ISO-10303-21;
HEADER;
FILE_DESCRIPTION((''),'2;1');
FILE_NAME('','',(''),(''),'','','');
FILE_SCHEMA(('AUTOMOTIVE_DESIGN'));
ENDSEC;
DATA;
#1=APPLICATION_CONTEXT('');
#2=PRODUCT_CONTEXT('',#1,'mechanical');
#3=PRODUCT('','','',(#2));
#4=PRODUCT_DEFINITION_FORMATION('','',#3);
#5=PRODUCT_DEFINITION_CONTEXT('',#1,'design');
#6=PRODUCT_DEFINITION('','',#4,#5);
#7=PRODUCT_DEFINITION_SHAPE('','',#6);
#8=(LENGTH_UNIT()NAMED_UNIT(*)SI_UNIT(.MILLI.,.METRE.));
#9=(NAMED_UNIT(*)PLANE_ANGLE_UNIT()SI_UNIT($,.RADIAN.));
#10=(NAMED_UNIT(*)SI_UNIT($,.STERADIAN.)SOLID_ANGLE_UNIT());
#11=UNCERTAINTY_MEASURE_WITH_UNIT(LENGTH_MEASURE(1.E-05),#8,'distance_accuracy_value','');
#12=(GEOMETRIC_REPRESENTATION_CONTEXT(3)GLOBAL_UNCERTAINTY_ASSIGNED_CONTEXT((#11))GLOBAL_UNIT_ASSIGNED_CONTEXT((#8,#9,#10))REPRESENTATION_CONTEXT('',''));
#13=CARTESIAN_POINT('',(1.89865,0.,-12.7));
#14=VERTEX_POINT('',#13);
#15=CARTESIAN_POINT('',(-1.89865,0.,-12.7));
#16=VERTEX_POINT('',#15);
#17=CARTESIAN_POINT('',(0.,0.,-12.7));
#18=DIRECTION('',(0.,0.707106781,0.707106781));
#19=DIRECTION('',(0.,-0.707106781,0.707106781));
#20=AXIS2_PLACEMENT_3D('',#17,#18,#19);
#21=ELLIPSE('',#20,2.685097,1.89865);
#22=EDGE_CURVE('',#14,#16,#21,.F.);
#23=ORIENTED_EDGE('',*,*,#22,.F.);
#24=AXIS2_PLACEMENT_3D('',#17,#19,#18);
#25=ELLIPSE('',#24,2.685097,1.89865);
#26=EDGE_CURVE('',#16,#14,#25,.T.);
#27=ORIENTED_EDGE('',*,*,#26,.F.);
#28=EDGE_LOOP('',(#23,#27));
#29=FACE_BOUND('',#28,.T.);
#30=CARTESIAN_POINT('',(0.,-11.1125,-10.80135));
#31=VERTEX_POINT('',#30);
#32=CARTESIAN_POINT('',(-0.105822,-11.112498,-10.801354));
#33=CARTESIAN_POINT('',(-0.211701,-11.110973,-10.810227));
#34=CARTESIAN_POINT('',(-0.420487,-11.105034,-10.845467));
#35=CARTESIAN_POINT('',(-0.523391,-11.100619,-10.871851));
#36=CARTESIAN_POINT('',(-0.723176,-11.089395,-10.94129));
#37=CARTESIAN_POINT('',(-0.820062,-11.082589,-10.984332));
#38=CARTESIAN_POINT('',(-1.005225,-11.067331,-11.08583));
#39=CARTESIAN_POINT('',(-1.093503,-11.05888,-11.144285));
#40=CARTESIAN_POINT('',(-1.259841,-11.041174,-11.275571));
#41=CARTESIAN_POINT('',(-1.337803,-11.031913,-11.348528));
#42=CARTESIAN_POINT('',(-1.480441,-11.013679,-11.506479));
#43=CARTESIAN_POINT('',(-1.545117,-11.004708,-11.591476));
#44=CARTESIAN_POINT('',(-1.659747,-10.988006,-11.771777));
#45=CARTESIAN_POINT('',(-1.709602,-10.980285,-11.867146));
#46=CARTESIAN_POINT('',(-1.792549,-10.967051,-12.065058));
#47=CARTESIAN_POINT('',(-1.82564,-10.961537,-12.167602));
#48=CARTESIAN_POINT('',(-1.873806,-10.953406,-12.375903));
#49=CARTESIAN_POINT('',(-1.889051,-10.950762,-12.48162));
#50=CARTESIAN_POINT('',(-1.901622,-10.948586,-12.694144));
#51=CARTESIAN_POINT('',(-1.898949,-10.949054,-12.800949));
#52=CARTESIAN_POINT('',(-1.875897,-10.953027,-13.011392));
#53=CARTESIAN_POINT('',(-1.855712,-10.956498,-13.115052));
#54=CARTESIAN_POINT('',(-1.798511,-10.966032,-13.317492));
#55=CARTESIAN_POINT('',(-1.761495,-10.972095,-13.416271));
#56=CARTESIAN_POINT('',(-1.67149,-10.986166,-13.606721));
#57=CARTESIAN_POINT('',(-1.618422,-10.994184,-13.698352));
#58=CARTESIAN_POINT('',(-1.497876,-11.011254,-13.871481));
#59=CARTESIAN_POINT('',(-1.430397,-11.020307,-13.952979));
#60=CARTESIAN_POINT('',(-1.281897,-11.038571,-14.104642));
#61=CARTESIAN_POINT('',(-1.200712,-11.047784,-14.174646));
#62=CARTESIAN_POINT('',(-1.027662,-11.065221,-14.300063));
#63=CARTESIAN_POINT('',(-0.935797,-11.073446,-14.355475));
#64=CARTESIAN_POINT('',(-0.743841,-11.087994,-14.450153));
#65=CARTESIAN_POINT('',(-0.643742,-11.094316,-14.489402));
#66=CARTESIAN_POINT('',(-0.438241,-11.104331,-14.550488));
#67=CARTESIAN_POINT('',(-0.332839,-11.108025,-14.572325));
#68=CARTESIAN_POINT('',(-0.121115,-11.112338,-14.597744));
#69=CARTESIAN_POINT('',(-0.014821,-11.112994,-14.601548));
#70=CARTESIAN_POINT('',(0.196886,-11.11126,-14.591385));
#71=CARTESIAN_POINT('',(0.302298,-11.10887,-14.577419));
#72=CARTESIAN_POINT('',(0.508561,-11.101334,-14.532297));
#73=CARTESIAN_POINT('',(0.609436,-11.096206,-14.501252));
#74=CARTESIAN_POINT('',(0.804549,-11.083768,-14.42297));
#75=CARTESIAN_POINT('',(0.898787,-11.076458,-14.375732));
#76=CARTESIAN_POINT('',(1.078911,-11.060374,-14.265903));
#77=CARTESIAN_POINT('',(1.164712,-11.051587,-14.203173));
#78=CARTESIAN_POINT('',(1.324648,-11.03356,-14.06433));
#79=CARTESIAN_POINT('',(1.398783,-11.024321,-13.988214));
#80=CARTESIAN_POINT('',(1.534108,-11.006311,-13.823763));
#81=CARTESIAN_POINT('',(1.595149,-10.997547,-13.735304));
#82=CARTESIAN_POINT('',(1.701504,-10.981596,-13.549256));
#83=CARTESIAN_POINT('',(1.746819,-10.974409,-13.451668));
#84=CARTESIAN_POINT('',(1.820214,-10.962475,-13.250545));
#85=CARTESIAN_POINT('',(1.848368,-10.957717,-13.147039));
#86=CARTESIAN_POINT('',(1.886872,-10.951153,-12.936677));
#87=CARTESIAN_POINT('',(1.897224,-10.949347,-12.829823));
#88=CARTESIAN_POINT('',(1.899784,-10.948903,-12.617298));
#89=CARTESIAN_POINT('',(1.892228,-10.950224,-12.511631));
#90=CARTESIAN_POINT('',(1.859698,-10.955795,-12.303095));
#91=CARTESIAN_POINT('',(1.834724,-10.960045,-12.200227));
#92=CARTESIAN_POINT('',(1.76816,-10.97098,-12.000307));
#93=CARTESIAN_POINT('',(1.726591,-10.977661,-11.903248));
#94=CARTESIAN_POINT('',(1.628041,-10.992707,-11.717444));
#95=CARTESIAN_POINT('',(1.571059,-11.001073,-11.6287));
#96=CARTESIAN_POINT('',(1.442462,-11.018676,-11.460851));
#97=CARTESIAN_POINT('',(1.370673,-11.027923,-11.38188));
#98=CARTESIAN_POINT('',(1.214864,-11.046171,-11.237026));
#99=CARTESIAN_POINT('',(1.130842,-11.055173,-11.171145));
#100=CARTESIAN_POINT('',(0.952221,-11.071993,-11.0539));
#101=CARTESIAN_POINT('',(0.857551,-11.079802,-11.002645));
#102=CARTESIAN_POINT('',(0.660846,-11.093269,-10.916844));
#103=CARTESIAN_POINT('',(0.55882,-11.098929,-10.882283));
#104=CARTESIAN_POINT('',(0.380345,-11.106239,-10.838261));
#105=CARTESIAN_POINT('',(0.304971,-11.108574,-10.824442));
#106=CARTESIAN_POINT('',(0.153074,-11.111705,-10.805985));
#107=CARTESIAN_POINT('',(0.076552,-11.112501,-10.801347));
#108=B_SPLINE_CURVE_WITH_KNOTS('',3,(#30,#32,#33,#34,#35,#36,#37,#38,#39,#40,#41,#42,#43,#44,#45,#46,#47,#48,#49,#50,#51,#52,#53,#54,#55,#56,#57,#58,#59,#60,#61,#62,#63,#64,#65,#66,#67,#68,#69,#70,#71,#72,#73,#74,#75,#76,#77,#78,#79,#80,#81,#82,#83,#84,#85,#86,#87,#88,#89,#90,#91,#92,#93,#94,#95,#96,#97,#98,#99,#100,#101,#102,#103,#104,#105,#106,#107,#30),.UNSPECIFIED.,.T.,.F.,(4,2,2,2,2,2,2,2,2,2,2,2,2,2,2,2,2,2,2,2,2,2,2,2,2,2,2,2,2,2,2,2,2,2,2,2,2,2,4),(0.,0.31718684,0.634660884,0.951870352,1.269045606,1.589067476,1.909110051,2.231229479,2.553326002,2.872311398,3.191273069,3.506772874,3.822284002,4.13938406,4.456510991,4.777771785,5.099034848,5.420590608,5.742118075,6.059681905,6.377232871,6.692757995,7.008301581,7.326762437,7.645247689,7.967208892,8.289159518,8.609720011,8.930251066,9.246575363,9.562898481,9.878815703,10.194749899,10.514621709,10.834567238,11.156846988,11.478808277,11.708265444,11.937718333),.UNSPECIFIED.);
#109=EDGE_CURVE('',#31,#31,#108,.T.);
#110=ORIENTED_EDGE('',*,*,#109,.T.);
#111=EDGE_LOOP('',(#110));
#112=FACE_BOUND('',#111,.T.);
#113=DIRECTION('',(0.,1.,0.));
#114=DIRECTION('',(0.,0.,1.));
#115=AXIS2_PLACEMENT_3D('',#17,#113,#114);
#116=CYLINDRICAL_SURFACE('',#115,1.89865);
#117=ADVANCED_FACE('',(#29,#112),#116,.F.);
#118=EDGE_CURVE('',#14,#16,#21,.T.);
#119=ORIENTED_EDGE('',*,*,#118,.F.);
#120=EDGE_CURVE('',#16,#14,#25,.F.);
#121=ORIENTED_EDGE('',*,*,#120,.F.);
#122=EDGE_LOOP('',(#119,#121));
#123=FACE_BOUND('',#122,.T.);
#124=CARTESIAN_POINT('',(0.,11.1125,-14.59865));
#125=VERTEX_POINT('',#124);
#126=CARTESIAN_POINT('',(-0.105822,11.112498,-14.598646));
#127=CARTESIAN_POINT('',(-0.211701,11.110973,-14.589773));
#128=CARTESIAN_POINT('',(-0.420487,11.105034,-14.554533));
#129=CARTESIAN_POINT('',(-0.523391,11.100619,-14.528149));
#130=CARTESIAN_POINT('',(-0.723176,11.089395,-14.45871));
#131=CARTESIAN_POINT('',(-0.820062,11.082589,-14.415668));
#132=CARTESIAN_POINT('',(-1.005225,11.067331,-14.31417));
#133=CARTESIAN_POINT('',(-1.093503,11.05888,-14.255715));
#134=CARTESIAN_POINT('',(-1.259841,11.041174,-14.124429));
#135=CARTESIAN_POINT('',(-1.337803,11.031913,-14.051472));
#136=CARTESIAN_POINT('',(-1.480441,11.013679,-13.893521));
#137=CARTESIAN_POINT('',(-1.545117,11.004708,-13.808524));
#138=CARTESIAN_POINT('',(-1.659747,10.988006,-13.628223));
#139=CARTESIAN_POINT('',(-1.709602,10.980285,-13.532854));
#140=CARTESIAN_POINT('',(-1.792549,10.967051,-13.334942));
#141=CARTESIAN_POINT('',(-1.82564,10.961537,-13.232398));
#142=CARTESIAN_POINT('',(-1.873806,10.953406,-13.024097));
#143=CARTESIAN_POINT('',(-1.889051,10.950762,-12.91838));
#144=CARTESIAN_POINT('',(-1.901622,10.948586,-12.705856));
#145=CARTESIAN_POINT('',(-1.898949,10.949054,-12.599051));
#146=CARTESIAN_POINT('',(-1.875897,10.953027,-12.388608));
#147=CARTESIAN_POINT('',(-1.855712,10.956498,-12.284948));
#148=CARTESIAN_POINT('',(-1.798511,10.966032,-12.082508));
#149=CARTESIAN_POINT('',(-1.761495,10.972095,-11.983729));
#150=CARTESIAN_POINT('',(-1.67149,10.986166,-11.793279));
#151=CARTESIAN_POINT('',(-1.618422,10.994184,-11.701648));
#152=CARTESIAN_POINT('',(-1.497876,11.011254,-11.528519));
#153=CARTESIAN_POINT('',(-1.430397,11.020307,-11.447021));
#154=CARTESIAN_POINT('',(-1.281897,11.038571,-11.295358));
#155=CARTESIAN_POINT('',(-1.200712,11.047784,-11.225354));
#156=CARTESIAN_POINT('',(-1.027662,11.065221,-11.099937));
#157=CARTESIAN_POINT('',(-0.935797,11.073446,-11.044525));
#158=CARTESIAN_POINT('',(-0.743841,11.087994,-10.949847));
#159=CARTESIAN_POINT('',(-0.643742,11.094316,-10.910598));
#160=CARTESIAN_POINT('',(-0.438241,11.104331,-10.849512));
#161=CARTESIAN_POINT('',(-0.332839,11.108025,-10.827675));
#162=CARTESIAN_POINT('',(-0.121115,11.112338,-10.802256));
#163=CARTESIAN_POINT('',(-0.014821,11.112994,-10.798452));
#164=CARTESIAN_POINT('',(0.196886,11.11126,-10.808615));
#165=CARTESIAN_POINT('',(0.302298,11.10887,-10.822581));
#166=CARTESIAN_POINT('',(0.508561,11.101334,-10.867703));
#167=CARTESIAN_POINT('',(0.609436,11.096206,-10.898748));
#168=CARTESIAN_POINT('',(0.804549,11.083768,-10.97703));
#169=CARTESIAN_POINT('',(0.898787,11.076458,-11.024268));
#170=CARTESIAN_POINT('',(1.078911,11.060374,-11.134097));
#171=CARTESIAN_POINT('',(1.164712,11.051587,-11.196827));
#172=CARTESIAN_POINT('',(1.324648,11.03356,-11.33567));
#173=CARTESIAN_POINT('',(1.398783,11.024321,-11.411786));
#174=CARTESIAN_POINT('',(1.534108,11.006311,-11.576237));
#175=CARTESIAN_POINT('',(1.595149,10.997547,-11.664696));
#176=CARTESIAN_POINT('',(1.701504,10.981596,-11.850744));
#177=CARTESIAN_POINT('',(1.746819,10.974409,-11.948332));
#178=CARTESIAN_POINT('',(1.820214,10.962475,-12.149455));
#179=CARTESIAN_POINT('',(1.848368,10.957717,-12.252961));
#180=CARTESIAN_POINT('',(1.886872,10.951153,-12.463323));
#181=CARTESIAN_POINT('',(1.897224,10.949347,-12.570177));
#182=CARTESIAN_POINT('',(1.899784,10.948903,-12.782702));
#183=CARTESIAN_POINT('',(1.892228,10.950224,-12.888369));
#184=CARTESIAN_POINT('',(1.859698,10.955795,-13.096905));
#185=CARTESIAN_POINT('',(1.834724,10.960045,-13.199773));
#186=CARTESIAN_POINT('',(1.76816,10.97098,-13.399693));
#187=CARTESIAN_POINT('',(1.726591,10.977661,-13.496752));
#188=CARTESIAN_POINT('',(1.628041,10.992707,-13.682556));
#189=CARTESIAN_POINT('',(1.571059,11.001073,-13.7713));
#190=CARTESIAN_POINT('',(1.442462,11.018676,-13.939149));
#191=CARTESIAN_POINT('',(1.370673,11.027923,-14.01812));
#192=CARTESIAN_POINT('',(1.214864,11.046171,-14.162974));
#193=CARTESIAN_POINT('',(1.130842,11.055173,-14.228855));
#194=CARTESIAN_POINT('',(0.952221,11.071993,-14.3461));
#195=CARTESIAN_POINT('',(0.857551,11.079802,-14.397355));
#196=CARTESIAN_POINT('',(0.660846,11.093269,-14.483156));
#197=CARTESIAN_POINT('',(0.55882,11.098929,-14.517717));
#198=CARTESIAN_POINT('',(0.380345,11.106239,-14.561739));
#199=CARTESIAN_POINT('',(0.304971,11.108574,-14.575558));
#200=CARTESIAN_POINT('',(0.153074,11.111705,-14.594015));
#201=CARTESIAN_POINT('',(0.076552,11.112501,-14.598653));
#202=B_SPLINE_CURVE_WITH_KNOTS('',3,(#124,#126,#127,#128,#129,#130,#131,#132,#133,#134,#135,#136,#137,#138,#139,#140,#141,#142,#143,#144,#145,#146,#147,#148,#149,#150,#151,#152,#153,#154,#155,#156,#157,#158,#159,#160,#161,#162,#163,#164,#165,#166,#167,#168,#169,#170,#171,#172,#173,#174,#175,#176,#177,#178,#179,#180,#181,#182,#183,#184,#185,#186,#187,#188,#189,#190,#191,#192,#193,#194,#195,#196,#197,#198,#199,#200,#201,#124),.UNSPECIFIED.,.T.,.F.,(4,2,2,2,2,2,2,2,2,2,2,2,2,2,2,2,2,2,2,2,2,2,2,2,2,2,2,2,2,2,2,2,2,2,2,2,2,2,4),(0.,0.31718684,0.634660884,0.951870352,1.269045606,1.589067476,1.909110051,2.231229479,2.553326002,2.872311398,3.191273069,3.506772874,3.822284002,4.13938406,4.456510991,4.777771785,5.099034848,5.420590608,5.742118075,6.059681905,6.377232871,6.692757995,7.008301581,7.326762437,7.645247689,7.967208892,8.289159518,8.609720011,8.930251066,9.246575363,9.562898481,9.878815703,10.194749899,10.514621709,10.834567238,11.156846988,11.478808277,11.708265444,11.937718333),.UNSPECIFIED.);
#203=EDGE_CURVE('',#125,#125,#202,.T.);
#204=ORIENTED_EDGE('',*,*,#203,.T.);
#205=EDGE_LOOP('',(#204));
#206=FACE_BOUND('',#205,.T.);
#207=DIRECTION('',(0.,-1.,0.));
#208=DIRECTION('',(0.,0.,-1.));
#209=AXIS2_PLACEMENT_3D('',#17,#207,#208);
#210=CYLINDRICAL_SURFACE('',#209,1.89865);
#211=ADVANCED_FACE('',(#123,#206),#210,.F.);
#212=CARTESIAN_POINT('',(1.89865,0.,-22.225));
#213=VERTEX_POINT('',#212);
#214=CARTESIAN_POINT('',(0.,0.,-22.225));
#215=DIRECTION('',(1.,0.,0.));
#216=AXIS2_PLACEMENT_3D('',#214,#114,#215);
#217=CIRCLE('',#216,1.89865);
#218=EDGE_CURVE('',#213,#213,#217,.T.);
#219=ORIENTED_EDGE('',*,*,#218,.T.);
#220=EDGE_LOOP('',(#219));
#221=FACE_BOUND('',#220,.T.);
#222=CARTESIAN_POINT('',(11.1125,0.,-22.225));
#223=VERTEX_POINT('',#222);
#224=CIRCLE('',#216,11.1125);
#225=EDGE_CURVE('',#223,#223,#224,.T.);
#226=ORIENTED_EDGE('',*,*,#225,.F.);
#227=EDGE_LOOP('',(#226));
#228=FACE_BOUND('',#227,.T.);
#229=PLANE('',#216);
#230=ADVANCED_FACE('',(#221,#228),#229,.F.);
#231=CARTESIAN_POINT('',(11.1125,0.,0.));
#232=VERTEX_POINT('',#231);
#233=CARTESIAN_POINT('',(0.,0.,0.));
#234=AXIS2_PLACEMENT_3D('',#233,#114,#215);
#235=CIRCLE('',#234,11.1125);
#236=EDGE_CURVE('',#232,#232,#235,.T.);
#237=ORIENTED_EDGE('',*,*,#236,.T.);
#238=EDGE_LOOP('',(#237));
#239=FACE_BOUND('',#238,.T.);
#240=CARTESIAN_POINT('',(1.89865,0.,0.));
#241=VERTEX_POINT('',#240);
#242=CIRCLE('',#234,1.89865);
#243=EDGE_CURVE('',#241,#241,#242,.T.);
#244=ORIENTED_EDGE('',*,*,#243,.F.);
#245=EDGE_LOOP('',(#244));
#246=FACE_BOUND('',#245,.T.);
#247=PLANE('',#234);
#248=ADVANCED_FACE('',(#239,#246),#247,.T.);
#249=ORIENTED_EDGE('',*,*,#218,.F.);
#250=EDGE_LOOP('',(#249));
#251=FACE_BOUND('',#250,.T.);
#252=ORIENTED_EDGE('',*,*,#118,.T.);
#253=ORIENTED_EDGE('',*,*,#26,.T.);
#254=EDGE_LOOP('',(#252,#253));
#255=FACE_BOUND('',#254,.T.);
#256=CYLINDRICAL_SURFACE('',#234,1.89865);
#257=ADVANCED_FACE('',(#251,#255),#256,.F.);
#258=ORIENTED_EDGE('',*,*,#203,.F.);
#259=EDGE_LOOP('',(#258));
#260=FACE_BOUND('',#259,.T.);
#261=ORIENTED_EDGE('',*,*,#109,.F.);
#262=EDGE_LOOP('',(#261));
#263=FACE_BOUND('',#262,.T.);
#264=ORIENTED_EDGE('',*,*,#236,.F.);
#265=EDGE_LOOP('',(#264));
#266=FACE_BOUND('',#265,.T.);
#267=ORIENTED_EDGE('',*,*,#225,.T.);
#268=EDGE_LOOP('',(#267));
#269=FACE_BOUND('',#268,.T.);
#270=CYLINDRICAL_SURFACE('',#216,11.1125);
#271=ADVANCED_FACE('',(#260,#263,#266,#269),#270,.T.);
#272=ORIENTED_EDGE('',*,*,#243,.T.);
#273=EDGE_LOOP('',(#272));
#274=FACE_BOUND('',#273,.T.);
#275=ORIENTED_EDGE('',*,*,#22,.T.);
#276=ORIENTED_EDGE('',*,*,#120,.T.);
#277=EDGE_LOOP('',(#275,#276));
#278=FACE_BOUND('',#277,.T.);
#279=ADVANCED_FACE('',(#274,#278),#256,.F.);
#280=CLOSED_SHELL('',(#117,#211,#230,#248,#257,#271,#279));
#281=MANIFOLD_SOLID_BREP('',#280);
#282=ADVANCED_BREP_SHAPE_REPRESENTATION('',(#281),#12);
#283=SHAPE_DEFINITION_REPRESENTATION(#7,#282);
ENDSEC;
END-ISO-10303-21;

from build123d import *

# Parameters (mm, degrees)
SKETCH2_R              = 11.1125
BOSS_EXTRUDE1_DEPTH    = 22.225
F_10_24_TAPPED_HOLE1_D = 3.7973
SKETCH7_W              = 1.89865
SKETCH7_H              = 11.1125
F_10_24_TAPPED_HOLE3_D = 3.7973


with BuildPart() as part:
    # Sketch2 → Boss-Extrude1 (new body)
    with BuildSketch(Plane.XY):
        Circle(SKETCH2_R)
    extrude(amount=-BOSS_EXTRUDE1_DEPTH)

    # #10-24 Tapped Hole1 (through all)
    with Locations(Plane.XY):
        with Locations((0, 0)):
            Hole(F_10_24_TAPPED_HOLE1_D / 2)

    # Sketch7 → #10-24 Tapped Hole2 (revolve, cut)
    with BuildSketch(Plane(origin=(0, 0, -12.7), x_dir=(0, 0, -1), z_dir=(1, 0, 0))):
        with Locations((0.949325, 5.55625)):
            Rectangle(SKETCH7_W, SKETCH7_H)
    revolve(axis=Axis((0, -6.35, -12.7), (0, 1, 0)), mode=Mode.SUBTRACT)

    # #10-24 Tapped Hole3 (through all)
    with Locations(Plane(origin=(0, 0, 0), x_dir=(1, 0, 0), z_dir=(0, 1, 0))):
        with Locations((0, 12.7)):
            Hole(F_10_24_TAPPED_HOLE3_D / 2)


solid = part.part
